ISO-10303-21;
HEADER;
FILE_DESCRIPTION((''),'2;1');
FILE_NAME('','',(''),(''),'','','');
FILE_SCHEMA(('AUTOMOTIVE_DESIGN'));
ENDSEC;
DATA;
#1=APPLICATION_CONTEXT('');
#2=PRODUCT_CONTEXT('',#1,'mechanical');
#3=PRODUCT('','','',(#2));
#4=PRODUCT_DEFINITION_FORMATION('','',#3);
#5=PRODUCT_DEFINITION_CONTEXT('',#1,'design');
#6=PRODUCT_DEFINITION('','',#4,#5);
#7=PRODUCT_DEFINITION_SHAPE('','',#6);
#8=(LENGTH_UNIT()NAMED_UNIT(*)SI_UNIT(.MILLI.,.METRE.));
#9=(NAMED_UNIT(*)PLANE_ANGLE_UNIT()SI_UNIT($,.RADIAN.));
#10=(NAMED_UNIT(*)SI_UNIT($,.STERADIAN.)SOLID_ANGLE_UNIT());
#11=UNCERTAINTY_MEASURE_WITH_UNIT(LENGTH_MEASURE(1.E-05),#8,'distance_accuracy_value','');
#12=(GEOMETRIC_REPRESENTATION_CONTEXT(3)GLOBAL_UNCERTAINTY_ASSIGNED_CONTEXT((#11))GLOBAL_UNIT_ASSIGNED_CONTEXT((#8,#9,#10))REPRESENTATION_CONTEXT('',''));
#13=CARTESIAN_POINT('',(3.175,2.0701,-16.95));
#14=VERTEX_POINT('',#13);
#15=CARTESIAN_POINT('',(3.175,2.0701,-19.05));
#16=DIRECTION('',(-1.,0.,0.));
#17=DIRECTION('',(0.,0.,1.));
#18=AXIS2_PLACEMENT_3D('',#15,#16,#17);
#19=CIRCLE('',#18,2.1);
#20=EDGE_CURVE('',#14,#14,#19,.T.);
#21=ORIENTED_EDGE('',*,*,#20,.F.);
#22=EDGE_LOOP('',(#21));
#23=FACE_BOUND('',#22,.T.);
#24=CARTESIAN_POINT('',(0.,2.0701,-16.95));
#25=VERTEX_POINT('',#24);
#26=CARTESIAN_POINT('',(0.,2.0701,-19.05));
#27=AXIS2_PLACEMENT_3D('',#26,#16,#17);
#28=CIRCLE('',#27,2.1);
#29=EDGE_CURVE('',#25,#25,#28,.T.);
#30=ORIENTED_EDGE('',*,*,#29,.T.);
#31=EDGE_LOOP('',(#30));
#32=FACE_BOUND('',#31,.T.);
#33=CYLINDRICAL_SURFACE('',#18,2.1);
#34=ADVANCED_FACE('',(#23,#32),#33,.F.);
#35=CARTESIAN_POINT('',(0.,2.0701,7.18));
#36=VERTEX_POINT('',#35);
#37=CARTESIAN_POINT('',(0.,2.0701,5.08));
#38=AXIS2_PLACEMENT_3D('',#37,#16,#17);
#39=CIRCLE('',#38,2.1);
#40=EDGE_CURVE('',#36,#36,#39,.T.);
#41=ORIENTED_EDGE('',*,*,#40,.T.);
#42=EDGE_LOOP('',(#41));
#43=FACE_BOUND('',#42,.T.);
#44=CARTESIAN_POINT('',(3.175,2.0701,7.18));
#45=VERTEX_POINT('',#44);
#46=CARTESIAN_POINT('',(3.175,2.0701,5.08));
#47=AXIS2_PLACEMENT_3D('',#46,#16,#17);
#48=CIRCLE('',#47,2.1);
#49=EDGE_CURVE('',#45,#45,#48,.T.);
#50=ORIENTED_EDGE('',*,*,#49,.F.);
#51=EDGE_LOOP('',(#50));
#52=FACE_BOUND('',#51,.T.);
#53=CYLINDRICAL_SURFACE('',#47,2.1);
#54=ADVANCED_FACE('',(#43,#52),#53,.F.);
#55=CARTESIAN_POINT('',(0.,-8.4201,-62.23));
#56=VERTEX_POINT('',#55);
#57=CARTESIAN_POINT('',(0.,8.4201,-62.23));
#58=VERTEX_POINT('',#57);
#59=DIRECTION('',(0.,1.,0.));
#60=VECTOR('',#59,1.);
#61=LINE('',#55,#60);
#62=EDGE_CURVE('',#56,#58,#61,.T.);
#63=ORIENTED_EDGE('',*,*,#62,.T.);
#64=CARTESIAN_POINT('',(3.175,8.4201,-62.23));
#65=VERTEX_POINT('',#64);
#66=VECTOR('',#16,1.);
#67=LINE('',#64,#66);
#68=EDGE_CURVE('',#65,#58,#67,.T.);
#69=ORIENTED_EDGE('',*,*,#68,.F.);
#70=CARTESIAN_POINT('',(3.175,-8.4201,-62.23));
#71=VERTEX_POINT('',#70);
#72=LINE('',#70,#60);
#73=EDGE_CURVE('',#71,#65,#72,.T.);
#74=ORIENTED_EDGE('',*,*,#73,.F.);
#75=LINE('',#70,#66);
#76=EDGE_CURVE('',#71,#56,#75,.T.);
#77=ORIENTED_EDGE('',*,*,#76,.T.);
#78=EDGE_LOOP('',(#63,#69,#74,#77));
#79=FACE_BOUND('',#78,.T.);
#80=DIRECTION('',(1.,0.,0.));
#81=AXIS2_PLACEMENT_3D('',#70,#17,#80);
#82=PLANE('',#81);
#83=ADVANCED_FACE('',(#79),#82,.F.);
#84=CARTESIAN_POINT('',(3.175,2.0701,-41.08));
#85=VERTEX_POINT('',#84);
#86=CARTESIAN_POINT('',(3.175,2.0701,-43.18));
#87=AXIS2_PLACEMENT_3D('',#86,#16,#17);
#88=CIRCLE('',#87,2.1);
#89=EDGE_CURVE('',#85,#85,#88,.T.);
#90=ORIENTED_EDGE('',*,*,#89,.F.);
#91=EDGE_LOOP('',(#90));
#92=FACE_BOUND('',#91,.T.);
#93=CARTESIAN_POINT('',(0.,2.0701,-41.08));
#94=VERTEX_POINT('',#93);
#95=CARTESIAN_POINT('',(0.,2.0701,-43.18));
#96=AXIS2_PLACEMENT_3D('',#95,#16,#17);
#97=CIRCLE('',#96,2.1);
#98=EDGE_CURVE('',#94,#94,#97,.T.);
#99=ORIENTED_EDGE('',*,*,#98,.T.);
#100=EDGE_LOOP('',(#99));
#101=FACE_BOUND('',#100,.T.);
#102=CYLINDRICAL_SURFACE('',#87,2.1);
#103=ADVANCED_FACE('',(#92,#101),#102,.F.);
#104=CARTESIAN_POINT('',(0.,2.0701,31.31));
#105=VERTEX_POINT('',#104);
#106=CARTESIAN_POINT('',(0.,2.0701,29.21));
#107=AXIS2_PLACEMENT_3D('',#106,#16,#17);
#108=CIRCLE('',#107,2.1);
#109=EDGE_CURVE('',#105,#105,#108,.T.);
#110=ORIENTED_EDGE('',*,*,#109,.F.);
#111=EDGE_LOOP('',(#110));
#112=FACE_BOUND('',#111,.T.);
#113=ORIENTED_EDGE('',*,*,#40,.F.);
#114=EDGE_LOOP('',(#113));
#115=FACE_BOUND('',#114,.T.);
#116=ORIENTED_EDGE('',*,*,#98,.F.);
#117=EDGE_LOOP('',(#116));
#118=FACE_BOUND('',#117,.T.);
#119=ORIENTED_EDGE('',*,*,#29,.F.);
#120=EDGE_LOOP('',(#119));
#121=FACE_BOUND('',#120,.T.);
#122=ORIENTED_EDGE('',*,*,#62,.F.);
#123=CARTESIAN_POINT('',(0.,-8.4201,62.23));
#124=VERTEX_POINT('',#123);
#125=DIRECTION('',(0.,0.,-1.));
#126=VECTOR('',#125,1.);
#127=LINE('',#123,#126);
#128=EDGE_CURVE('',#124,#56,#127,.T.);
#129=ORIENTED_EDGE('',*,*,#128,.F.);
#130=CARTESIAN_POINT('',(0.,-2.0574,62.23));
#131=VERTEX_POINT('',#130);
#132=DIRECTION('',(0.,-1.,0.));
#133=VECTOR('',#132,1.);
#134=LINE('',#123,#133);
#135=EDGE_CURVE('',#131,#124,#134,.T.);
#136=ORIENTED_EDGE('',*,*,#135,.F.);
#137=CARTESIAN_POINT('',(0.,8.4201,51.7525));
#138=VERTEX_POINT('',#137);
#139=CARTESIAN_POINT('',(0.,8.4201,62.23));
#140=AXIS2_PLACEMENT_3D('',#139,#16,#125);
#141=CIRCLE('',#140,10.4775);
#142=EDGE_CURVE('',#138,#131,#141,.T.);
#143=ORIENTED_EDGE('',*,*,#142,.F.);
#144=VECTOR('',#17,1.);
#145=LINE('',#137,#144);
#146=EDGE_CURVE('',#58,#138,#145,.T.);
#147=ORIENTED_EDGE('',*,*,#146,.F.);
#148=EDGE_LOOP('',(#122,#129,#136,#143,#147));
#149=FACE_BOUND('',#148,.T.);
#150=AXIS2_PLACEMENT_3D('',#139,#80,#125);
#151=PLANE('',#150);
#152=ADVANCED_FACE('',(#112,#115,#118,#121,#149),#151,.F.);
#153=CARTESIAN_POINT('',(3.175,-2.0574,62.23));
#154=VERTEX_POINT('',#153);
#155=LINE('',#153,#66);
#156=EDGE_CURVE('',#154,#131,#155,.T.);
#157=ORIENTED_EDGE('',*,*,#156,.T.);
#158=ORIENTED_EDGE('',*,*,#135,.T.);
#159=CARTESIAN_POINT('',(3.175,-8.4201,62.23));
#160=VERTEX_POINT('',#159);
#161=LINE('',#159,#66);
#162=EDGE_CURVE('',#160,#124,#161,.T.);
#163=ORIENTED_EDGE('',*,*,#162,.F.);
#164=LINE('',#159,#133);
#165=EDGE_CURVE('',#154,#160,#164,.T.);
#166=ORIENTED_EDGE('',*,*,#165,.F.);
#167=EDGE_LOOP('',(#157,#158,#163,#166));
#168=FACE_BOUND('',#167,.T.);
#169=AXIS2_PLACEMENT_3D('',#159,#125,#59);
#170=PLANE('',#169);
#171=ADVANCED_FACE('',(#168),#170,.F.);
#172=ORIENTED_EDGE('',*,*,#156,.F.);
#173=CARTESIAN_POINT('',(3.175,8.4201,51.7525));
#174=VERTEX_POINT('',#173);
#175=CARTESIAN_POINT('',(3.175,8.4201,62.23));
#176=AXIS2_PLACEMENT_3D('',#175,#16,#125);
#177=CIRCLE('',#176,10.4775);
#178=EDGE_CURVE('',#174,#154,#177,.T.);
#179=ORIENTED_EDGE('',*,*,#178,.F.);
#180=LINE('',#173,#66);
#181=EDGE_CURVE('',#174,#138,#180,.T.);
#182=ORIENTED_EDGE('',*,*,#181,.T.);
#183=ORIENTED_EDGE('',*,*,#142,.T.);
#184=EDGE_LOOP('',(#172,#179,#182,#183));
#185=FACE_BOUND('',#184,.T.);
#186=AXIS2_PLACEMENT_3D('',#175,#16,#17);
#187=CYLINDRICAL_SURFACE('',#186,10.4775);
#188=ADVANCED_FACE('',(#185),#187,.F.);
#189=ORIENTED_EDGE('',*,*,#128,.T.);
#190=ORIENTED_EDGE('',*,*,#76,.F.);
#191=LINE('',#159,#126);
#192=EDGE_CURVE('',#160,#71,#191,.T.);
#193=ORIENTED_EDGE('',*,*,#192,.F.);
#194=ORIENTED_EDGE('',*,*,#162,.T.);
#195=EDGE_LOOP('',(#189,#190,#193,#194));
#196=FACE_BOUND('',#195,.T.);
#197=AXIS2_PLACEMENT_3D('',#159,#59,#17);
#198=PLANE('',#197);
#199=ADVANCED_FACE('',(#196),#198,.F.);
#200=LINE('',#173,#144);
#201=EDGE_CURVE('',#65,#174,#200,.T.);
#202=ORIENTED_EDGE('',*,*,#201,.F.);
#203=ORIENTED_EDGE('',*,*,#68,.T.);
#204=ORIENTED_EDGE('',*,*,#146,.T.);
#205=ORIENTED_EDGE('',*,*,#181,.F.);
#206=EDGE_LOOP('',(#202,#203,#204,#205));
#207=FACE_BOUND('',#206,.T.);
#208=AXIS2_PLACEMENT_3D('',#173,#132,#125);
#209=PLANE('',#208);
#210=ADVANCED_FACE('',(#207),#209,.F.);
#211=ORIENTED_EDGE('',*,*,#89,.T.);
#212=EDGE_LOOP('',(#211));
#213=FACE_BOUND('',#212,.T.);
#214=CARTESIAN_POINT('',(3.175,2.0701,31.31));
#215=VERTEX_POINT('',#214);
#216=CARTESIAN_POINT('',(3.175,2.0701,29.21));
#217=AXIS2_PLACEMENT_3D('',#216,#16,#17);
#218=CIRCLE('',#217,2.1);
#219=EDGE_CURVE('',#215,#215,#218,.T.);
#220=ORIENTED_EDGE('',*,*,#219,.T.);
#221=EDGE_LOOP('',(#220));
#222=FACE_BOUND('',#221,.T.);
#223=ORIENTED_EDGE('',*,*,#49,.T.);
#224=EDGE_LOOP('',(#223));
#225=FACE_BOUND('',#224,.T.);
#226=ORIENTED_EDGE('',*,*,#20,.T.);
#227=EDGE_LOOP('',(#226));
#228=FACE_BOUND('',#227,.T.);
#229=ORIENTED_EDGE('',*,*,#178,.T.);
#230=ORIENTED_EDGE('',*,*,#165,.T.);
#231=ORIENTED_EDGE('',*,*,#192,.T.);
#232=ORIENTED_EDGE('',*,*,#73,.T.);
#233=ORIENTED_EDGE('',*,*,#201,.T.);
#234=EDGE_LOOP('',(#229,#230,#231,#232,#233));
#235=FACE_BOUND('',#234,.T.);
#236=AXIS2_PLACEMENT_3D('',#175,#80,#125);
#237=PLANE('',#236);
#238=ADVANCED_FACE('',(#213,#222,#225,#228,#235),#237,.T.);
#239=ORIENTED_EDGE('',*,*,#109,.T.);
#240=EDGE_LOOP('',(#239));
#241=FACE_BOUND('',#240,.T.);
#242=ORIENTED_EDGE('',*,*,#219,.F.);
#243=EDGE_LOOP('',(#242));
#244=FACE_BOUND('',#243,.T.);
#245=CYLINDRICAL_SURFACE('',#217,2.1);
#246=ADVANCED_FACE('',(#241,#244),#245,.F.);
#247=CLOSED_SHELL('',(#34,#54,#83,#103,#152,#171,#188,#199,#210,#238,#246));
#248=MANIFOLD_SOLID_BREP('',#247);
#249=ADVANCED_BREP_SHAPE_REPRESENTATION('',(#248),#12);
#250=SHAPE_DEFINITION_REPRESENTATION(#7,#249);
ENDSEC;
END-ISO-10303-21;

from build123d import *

# Parameters (mm, degrees)
BOSS_EXTRUDE1_DEPTH = 3.175
SKETCH3_R           = 2.1
CUT_EXTRUDE1_DEPTH  = 4.175


with BuildPart() as part:
    # Sketch1 → Boss-Extrude1 (new body)
    with BuildSketch(Plane(origin=(0, 0, 0), x_dir=(0, 0, -1), z_dir=(1, 0, 0))):
        with BuildLine():
            Line((-62.23, -8.4201), (62.23, -8.4201))
            Line((62.23, -8.4201), (62.23, 8.4201))
            Line((62.23, 8.4201), (-51.7525, 8.4201))
            ThreePointArc((-51.7525, 8.4201), (-54.8212887, 1.0113887), (-62.23, -2.0574))
            Line((-62.23, -2.0574), (-62.23, -8.4201))
        make_face()
    extrude(amount=BOSS_EXTRUDE1_DEPTH)

    # Sketch3 → Cut-Extrude1 (cut, through all)
    with BuildSketch(Plane.ZY):
        with Locations((-43.18, 2.0701)):
            Circle(SKETCH3_R)
        with Locations((-19.05, 2.0701)):
            Circle(SKETCH3_R)
        with Locations((5.08, 2.0701)):
            Circle(SKETCH3_R)
        with Locations((29.21, 2.0701)):
            Circle(SKETCH3_R)
    extrude(amount=-CUT_EXTRUDE1_DEPTH, mode=Mode.SUBTRACT)


solid = part.part
